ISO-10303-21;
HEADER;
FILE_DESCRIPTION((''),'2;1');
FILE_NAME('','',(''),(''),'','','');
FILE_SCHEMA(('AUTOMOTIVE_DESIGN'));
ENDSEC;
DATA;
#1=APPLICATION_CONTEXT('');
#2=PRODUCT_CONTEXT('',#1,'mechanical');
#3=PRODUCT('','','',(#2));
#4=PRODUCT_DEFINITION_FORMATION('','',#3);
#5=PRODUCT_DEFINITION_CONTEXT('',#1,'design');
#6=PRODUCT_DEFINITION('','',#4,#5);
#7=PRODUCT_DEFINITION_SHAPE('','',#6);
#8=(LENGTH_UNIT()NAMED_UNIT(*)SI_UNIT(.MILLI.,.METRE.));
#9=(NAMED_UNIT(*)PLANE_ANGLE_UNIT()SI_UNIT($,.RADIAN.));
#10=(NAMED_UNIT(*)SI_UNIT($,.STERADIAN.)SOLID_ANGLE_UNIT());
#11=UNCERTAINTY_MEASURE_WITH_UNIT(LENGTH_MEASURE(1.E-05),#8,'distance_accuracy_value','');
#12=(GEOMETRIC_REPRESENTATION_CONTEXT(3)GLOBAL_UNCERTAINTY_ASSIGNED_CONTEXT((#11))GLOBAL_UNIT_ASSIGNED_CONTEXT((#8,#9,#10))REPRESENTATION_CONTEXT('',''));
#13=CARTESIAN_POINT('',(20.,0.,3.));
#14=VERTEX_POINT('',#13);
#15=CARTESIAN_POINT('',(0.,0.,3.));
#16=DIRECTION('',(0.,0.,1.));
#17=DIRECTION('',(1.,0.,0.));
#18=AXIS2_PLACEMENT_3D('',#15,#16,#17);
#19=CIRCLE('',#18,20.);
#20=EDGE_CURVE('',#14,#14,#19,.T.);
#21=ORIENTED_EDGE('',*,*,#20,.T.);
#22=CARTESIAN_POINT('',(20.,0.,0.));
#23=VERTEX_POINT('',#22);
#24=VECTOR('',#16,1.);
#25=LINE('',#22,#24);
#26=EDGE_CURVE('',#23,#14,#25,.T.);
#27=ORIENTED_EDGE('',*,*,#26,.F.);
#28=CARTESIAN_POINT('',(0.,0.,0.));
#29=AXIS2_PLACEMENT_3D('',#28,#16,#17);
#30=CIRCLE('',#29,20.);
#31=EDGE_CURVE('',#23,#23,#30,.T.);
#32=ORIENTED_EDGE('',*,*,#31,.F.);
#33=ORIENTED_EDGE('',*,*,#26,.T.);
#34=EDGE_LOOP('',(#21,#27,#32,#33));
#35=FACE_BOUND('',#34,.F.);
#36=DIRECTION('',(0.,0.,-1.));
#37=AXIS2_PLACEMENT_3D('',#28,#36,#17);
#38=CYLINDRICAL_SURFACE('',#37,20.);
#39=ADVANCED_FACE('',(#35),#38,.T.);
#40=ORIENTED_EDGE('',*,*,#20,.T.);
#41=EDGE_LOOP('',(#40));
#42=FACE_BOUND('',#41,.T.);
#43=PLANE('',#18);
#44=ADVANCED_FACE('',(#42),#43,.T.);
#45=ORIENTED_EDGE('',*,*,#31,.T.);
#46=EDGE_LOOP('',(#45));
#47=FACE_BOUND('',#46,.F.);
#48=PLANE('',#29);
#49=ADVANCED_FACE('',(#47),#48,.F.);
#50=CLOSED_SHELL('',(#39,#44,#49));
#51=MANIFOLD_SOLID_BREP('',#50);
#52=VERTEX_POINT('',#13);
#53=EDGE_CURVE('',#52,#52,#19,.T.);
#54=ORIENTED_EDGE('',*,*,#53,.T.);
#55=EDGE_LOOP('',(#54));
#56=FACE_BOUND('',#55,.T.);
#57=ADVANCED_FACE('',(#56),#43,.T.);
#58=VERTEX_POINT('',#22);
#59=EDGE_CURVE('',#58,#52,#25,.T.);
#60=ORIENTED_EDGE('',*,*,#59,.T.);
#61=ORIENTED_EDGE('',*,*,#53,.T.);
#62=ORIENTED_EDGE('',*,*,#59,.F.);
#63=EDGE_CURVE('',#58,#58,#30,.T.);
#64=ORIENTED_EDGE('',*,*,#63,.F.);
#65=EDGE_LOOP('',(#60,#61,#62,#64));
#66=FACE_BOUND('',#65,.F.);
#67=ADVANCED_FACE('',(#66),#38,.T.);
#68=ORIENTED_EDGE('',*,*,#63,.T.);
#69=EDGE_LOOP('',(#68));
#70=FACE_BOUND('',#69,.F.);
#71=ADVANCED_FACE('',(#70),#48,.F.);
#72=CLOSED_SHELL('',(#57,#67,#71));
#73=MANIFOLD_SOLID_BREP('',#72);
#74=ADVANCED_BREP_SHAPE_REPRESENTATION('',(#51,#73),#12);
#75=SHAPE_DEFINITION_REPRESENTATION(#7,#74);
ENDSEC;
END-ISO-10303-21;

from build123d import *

# Parameters (mm, degrees)
SKETCH_R         = 20
EXTRUDE_DEPTH    = 3
EXTRUDE001_DEPTH = 3


with BuildPart() as extrude_body:
    # Sketch → Extrude (new body)
    with BuildSketch(Plane.XY):
        Circle(SKETCH_R)
    extrude(amount=EXTRUDE_DEPTH)


with BuildPart() as extrude001:
    # Sketch → Extrude001 (new body)
    with BuildSketch(Plane.XY):
        Circle(SKETCH_R)
    extrude(amount=EXTRUDE001_DEPTH)


solid = Compound([extrude_body.part, extrude001.part])
